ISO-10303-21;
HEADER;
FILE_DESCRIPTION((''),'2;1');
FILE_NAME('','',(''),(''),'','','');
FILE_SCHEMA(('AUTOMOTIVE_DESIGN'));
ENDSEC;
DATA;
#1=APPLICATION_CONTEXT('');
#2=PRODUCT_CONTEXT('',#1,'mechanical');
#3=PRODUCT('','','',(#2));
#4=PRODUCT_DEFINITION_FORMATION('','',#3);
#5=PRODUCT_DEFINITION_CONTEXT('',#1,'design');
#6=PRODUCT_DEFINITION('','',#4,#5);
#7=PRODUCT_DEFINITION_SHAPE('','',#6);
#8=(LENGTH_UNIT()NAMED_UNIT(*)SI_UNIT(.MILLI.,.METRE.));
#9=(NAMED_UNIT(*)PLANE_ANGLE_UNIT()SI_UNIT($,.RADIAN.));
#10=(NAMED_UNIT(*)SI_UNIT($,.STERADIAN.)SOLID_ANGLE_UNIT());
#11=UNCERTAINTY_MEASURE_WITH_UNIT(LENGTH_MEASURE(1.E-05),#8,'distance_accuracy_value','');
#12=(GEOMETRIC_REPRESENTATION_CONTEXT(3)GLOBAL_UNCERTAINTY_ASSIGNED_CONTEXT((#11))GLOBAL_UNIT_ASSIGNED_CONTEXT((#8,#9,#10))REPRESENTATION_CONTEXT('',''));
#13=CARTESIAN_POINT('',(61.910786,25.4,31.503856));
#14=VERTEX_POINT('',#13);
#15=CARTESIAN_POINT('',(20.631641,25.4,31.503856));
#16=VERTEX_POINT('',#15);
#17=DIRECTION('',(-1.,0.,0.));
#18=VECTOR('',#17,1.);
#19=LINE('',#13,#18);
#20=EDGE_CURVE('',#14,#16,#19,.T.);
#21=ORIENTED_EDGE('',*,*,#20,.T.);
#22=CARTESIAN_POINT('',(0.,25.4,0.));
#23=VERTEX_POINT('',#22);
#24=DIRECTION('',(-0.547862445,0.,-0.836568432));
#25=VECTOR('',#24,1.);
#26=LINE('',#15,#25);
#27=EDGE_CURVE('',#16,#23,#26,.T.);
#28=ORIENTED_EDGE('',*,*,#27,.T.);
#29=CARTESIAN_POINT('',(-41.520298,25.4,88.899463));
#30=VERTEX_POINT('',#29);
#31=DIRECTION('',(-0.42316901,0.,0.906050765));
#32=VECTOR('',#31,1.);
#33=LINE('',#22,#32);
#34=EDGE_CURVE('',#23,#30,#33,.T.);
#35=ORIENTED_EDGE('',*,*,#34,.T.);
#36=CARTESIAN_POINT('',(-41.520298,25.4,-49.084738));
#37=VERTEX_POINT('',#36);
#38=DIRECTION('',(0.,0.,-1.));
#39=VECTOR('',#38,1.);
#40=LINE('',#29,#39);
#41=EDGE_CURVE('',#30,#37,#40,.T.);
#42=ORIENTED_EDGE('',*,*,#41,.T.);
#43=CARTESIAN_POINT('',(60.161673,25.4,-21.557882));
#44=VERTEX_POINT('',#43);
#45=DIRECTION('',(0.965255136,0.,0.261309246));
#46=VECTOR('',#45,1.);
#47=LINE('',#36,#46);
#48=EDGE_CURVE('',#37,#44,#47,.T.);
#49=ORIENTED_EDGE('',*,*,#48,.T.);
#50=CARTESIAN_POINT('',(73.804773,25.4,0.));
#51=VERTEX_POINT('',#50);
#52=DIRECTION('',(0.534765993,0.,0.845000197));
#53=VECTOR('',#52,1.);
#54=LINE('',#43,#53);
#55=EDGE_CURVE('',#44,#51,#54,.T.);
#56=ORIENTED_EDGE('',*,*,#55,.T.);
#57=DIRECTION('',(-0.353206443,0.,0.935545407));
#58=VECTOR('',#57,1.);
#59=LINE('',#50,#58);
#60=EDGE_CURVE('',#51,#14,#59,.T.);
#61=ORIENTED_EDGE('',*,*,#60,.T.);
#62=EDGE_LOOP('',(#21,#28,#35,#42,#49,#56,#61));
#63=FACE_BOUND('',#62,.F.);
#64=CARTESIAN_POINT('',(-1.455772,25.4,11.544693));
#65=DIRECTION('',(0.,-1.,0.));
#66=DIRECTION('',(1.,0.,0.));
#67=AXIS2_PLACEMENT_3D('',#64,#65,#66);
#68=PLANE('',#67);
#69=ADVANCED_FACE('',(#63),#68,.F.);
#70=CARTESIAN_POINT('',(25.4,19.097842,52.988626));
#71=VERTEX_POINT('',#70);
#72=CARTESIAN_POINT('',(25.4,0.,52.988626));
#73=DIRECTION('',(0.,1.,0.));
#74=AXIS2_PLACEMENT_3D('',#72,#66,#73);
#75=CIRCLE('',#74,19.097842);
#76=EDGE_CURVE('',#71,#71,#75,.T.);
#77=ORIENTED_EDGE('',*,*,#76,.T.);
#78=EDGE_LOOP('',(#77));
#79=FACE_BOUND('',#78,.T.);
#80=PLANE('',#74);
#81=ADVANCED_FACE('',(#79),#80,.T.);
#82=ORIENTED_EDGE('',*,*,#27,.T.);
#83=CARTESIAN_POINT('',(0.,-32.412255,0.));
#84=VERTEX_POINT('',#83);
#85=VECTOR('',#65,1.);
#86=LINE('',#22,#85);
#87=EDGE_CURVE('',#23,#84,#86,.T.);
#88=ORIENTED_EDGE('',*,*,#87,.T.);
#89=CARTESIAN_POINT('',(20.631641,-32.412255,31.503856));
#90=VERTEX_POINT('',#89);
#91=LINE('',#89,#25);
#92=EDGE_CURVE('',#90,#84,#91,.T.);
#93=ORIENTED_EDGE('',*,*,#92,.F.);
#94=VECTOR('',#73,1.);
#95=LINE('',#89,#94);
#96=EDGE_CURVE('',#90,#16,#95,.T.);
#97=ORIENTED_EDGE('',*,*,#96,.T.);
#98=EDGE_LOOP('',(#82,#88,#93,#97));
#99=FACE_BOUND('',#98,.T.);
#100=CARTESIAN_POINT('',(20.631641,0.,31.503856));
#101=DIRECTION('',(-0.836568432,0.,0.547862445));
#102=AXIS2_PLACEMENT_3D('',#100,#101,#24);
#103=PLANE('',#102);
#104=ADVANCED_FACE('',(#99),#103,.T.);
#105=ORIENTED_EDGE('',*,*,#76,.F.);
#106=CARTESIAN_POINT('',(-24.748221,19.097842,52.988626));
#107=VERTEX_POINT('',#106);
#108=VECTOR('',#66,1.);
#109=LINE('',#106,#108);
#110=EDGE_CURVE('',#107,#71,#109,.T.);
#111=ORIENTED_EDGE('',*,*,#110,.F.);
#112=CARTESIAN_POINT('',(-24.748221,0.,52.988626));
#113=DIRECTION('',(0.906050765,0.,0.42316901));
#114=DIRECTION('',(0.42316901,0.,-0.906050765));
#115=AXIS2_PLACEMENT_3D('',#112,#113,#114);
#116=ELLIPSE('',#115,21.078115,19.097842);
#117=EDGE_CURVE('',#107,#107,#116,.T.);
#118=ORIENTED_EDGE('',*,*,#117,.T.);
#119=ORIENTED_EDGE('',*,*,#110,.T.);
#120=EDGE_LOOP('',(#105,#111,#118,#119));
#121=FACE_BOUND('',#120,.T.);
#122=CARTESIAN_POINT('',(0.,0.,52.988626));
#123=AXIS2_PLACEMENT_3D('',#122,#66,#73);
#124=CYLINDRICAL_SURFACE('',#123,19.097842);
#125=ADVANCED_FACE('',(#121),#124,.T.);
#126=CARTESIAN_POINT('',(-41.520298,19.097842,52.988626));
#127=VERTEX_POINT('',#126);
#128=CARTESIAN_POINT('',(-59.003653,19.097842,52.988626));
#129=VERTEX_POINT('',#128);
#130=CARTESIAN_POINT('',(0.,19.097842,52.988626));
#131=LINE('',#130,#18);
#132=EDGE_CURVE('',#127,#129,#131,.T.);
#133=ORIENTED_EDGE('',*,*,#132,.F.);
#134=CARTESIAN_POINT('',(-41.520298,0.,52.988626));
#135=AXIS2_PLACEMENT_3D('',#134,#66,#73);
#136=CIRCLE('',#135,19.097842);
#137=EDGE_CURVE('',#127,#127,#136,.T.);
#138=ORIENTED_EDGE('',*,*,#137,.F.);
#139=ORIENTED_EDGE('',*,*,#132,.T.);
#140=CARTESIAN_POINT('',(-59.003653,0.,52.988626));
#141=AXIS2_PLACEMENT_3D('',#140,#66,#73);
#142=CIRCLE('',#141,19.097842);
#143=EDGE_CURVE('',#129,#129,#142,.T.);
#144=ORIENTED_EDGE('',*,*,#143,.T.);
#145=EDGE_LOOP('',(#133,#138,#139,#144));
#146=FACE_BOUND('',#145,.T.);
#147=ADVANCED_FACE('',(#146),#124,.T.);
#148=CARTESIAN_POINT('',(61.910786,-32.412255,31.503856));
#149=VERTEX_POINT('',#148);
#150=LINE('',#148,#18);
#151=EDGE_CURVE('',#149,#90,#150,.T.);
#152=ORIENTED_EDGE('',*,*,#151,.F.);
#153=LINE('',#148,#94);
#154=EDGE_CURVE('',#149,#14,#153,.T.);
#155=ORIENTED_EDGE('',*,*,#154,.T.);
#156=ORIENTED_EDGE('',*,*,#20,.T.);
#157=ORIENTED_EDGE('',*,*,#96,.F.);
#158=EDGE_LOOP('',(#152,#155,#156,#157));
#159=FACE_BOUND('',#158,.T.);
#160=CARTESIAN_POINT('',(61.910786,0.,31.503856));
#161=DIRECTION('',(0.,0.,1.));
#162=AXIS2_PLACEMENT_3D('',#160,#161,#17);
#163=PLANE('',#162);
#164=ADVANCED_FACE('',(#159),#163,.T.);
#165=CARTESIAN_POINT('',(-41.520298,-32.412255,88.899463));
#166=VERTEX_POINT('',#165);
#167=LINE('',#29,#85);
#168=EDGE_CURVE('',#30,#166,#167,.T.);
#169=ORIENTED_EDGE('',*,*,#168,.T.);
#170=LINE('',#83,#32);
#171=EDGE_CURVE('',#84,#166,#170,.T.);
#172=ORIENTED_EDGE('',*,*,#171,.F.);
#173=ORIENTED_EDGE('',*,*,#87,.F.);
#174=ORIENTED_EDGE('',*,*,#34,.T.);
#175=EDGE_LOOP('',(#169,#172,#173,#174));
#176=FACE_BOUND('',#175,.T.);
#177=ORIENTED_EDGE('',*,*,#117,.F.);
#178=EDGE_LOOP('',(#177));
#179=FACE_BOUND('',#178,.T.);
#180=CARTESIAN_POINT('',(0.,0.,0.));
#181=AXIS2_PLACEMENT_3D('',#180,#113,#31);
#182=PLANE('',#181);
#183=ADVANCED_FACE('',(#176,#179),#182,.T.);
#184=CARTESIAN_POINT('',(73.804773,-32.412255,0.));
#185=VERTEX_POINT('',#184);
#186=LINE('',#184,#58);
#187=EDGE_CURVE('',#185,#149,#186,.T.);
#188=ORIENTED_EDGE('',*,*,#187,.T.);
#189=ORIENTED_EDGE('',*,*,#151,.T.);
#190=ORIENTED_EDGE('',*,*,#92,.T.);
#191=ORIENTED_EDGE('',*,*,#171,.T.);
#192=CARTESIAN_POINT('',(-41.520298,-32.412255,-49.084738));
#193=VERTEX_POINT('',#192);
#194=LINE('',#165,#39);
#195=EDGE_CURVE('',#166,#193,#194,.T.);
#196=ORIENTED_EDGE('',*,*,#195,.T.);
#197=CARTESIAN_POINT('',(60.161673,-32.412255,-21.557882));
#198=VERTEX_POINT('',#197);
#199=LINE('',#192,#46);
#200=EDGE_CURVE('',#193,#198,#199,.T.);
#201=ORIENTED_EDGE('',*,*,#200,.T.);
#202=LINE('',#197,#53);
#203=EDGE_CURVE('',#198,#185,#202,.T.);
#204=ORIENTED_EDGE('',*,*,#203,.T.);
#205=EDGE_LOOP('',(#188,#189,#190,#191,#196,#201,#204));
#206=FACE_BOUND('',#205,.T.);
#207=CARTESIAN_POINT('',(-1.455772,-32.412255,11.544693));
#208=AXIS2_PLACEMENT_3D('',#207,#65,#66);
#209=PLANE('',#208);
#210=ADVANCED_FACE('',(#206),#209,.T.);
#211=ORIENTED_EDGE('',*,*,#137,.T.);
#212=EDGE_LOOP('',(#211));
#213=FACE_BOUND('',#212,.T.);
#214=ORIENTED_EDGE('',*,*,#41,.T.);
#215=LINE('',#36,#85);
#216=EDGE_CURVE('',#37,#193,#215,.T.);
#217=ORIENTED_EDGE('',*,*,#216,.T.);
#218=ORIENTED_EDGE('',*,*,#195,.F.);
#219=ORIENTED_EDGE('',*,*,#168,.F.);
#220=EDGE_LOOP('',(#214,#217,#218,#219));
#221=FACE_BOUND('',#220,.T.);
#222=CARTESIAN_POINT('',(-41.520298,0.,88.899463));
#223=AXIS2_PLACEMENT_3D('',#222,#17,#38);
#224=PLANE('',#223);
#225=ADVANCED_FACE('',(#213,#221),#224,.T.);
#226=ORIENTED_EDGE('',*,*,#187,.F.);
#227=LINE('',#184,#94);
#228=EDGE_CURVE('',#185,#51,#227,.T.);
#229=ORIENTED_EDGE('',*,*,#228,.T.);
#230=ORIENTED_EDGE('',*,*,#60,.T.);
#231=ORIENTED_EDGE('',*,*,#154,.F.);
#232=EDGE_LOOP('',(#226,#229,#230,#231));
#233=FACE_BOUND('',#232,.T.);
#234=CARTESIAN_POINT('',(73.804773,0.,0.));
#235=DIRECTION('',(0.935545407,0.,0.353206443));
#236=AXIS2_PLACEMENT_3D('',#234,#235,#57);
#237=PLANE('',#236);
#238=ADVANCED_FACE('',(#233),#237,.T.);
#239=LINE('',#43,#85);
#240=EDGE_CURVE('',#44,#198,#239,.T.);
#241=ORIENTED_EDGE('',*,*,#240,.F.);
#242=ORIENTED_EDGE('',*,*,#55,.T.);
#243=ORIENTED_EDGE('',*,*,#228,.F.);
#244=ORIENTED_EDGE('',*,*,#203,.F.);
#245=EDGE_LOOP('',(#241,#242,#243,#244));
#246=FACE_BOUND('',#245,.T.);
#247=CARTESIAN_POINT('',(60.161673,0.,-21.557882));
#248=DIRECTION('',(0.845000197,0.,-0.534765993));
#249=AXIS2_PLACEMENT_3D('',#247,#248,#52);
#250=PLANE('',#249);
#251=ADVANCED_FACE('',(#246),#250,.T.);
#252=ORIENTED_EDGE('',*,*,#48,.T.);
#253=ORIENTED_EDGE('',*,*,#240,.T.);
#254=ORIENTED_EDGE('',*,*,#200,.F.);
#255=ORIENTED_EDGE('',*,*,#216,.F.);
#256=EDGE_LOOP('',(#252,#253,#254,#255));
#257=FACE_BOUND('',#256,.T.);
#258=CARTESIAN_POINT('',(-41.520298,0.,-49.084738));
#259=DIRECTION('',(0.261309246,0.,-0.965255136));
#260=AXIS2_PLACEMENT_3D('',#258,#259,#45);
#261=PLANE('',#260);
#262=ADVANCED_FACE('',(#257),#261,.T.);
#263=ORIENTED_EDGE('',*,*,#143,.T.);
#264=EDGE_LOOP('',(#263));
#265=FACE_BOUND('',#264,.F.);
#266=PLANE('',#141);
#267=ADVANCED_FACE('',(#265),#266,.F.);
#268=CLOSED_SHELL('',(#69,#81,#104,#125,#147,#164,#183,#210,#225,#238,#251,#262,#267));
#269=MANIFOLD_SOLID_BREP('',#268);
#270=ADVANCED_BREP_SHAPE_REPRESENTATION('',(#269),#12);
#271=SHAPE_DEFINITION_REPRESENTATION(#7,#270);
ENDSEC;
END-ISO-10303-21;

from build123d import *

# Parameters (mm, degrees)
F2_DEPTH      = 32.412255
F2_DEPTH_BACK = 25.4
F1_R          = 19.097842
F3_DEPTH      = 25.4
F3_DEPTH_BACK = 59.003653


with BuildPart() as f2:
    # F0 (on Front) → F2 (new body, two sides)
    with BuildSketch(Plane.XZ) as f2_sk:
        Polygon((20.631641, 31.503856), (0, 0), (-41.520298, 88.899463), (-41.520298, -49.084738), (60.161673, -21.557882), (73.804773, 0), (61.910786, 31.503856), align=None)
    extrude(amount=F2_DEPTH)
    extrude(f2_sk.sketch, amount=-F2_DEPTH_BACK)

    # F1 (on Right) → F3 (join, two sides)
    with BuildSketch(Plane.YZ) as f3_sk:
        with Locations((0, 52.988626)):
            Circle(F1_R)
    extrude(amount=F3_DEPTH)
    extrude(f3_sk.sketch, amount=-F3_DEPTH_BACK)


solid = f2.part
